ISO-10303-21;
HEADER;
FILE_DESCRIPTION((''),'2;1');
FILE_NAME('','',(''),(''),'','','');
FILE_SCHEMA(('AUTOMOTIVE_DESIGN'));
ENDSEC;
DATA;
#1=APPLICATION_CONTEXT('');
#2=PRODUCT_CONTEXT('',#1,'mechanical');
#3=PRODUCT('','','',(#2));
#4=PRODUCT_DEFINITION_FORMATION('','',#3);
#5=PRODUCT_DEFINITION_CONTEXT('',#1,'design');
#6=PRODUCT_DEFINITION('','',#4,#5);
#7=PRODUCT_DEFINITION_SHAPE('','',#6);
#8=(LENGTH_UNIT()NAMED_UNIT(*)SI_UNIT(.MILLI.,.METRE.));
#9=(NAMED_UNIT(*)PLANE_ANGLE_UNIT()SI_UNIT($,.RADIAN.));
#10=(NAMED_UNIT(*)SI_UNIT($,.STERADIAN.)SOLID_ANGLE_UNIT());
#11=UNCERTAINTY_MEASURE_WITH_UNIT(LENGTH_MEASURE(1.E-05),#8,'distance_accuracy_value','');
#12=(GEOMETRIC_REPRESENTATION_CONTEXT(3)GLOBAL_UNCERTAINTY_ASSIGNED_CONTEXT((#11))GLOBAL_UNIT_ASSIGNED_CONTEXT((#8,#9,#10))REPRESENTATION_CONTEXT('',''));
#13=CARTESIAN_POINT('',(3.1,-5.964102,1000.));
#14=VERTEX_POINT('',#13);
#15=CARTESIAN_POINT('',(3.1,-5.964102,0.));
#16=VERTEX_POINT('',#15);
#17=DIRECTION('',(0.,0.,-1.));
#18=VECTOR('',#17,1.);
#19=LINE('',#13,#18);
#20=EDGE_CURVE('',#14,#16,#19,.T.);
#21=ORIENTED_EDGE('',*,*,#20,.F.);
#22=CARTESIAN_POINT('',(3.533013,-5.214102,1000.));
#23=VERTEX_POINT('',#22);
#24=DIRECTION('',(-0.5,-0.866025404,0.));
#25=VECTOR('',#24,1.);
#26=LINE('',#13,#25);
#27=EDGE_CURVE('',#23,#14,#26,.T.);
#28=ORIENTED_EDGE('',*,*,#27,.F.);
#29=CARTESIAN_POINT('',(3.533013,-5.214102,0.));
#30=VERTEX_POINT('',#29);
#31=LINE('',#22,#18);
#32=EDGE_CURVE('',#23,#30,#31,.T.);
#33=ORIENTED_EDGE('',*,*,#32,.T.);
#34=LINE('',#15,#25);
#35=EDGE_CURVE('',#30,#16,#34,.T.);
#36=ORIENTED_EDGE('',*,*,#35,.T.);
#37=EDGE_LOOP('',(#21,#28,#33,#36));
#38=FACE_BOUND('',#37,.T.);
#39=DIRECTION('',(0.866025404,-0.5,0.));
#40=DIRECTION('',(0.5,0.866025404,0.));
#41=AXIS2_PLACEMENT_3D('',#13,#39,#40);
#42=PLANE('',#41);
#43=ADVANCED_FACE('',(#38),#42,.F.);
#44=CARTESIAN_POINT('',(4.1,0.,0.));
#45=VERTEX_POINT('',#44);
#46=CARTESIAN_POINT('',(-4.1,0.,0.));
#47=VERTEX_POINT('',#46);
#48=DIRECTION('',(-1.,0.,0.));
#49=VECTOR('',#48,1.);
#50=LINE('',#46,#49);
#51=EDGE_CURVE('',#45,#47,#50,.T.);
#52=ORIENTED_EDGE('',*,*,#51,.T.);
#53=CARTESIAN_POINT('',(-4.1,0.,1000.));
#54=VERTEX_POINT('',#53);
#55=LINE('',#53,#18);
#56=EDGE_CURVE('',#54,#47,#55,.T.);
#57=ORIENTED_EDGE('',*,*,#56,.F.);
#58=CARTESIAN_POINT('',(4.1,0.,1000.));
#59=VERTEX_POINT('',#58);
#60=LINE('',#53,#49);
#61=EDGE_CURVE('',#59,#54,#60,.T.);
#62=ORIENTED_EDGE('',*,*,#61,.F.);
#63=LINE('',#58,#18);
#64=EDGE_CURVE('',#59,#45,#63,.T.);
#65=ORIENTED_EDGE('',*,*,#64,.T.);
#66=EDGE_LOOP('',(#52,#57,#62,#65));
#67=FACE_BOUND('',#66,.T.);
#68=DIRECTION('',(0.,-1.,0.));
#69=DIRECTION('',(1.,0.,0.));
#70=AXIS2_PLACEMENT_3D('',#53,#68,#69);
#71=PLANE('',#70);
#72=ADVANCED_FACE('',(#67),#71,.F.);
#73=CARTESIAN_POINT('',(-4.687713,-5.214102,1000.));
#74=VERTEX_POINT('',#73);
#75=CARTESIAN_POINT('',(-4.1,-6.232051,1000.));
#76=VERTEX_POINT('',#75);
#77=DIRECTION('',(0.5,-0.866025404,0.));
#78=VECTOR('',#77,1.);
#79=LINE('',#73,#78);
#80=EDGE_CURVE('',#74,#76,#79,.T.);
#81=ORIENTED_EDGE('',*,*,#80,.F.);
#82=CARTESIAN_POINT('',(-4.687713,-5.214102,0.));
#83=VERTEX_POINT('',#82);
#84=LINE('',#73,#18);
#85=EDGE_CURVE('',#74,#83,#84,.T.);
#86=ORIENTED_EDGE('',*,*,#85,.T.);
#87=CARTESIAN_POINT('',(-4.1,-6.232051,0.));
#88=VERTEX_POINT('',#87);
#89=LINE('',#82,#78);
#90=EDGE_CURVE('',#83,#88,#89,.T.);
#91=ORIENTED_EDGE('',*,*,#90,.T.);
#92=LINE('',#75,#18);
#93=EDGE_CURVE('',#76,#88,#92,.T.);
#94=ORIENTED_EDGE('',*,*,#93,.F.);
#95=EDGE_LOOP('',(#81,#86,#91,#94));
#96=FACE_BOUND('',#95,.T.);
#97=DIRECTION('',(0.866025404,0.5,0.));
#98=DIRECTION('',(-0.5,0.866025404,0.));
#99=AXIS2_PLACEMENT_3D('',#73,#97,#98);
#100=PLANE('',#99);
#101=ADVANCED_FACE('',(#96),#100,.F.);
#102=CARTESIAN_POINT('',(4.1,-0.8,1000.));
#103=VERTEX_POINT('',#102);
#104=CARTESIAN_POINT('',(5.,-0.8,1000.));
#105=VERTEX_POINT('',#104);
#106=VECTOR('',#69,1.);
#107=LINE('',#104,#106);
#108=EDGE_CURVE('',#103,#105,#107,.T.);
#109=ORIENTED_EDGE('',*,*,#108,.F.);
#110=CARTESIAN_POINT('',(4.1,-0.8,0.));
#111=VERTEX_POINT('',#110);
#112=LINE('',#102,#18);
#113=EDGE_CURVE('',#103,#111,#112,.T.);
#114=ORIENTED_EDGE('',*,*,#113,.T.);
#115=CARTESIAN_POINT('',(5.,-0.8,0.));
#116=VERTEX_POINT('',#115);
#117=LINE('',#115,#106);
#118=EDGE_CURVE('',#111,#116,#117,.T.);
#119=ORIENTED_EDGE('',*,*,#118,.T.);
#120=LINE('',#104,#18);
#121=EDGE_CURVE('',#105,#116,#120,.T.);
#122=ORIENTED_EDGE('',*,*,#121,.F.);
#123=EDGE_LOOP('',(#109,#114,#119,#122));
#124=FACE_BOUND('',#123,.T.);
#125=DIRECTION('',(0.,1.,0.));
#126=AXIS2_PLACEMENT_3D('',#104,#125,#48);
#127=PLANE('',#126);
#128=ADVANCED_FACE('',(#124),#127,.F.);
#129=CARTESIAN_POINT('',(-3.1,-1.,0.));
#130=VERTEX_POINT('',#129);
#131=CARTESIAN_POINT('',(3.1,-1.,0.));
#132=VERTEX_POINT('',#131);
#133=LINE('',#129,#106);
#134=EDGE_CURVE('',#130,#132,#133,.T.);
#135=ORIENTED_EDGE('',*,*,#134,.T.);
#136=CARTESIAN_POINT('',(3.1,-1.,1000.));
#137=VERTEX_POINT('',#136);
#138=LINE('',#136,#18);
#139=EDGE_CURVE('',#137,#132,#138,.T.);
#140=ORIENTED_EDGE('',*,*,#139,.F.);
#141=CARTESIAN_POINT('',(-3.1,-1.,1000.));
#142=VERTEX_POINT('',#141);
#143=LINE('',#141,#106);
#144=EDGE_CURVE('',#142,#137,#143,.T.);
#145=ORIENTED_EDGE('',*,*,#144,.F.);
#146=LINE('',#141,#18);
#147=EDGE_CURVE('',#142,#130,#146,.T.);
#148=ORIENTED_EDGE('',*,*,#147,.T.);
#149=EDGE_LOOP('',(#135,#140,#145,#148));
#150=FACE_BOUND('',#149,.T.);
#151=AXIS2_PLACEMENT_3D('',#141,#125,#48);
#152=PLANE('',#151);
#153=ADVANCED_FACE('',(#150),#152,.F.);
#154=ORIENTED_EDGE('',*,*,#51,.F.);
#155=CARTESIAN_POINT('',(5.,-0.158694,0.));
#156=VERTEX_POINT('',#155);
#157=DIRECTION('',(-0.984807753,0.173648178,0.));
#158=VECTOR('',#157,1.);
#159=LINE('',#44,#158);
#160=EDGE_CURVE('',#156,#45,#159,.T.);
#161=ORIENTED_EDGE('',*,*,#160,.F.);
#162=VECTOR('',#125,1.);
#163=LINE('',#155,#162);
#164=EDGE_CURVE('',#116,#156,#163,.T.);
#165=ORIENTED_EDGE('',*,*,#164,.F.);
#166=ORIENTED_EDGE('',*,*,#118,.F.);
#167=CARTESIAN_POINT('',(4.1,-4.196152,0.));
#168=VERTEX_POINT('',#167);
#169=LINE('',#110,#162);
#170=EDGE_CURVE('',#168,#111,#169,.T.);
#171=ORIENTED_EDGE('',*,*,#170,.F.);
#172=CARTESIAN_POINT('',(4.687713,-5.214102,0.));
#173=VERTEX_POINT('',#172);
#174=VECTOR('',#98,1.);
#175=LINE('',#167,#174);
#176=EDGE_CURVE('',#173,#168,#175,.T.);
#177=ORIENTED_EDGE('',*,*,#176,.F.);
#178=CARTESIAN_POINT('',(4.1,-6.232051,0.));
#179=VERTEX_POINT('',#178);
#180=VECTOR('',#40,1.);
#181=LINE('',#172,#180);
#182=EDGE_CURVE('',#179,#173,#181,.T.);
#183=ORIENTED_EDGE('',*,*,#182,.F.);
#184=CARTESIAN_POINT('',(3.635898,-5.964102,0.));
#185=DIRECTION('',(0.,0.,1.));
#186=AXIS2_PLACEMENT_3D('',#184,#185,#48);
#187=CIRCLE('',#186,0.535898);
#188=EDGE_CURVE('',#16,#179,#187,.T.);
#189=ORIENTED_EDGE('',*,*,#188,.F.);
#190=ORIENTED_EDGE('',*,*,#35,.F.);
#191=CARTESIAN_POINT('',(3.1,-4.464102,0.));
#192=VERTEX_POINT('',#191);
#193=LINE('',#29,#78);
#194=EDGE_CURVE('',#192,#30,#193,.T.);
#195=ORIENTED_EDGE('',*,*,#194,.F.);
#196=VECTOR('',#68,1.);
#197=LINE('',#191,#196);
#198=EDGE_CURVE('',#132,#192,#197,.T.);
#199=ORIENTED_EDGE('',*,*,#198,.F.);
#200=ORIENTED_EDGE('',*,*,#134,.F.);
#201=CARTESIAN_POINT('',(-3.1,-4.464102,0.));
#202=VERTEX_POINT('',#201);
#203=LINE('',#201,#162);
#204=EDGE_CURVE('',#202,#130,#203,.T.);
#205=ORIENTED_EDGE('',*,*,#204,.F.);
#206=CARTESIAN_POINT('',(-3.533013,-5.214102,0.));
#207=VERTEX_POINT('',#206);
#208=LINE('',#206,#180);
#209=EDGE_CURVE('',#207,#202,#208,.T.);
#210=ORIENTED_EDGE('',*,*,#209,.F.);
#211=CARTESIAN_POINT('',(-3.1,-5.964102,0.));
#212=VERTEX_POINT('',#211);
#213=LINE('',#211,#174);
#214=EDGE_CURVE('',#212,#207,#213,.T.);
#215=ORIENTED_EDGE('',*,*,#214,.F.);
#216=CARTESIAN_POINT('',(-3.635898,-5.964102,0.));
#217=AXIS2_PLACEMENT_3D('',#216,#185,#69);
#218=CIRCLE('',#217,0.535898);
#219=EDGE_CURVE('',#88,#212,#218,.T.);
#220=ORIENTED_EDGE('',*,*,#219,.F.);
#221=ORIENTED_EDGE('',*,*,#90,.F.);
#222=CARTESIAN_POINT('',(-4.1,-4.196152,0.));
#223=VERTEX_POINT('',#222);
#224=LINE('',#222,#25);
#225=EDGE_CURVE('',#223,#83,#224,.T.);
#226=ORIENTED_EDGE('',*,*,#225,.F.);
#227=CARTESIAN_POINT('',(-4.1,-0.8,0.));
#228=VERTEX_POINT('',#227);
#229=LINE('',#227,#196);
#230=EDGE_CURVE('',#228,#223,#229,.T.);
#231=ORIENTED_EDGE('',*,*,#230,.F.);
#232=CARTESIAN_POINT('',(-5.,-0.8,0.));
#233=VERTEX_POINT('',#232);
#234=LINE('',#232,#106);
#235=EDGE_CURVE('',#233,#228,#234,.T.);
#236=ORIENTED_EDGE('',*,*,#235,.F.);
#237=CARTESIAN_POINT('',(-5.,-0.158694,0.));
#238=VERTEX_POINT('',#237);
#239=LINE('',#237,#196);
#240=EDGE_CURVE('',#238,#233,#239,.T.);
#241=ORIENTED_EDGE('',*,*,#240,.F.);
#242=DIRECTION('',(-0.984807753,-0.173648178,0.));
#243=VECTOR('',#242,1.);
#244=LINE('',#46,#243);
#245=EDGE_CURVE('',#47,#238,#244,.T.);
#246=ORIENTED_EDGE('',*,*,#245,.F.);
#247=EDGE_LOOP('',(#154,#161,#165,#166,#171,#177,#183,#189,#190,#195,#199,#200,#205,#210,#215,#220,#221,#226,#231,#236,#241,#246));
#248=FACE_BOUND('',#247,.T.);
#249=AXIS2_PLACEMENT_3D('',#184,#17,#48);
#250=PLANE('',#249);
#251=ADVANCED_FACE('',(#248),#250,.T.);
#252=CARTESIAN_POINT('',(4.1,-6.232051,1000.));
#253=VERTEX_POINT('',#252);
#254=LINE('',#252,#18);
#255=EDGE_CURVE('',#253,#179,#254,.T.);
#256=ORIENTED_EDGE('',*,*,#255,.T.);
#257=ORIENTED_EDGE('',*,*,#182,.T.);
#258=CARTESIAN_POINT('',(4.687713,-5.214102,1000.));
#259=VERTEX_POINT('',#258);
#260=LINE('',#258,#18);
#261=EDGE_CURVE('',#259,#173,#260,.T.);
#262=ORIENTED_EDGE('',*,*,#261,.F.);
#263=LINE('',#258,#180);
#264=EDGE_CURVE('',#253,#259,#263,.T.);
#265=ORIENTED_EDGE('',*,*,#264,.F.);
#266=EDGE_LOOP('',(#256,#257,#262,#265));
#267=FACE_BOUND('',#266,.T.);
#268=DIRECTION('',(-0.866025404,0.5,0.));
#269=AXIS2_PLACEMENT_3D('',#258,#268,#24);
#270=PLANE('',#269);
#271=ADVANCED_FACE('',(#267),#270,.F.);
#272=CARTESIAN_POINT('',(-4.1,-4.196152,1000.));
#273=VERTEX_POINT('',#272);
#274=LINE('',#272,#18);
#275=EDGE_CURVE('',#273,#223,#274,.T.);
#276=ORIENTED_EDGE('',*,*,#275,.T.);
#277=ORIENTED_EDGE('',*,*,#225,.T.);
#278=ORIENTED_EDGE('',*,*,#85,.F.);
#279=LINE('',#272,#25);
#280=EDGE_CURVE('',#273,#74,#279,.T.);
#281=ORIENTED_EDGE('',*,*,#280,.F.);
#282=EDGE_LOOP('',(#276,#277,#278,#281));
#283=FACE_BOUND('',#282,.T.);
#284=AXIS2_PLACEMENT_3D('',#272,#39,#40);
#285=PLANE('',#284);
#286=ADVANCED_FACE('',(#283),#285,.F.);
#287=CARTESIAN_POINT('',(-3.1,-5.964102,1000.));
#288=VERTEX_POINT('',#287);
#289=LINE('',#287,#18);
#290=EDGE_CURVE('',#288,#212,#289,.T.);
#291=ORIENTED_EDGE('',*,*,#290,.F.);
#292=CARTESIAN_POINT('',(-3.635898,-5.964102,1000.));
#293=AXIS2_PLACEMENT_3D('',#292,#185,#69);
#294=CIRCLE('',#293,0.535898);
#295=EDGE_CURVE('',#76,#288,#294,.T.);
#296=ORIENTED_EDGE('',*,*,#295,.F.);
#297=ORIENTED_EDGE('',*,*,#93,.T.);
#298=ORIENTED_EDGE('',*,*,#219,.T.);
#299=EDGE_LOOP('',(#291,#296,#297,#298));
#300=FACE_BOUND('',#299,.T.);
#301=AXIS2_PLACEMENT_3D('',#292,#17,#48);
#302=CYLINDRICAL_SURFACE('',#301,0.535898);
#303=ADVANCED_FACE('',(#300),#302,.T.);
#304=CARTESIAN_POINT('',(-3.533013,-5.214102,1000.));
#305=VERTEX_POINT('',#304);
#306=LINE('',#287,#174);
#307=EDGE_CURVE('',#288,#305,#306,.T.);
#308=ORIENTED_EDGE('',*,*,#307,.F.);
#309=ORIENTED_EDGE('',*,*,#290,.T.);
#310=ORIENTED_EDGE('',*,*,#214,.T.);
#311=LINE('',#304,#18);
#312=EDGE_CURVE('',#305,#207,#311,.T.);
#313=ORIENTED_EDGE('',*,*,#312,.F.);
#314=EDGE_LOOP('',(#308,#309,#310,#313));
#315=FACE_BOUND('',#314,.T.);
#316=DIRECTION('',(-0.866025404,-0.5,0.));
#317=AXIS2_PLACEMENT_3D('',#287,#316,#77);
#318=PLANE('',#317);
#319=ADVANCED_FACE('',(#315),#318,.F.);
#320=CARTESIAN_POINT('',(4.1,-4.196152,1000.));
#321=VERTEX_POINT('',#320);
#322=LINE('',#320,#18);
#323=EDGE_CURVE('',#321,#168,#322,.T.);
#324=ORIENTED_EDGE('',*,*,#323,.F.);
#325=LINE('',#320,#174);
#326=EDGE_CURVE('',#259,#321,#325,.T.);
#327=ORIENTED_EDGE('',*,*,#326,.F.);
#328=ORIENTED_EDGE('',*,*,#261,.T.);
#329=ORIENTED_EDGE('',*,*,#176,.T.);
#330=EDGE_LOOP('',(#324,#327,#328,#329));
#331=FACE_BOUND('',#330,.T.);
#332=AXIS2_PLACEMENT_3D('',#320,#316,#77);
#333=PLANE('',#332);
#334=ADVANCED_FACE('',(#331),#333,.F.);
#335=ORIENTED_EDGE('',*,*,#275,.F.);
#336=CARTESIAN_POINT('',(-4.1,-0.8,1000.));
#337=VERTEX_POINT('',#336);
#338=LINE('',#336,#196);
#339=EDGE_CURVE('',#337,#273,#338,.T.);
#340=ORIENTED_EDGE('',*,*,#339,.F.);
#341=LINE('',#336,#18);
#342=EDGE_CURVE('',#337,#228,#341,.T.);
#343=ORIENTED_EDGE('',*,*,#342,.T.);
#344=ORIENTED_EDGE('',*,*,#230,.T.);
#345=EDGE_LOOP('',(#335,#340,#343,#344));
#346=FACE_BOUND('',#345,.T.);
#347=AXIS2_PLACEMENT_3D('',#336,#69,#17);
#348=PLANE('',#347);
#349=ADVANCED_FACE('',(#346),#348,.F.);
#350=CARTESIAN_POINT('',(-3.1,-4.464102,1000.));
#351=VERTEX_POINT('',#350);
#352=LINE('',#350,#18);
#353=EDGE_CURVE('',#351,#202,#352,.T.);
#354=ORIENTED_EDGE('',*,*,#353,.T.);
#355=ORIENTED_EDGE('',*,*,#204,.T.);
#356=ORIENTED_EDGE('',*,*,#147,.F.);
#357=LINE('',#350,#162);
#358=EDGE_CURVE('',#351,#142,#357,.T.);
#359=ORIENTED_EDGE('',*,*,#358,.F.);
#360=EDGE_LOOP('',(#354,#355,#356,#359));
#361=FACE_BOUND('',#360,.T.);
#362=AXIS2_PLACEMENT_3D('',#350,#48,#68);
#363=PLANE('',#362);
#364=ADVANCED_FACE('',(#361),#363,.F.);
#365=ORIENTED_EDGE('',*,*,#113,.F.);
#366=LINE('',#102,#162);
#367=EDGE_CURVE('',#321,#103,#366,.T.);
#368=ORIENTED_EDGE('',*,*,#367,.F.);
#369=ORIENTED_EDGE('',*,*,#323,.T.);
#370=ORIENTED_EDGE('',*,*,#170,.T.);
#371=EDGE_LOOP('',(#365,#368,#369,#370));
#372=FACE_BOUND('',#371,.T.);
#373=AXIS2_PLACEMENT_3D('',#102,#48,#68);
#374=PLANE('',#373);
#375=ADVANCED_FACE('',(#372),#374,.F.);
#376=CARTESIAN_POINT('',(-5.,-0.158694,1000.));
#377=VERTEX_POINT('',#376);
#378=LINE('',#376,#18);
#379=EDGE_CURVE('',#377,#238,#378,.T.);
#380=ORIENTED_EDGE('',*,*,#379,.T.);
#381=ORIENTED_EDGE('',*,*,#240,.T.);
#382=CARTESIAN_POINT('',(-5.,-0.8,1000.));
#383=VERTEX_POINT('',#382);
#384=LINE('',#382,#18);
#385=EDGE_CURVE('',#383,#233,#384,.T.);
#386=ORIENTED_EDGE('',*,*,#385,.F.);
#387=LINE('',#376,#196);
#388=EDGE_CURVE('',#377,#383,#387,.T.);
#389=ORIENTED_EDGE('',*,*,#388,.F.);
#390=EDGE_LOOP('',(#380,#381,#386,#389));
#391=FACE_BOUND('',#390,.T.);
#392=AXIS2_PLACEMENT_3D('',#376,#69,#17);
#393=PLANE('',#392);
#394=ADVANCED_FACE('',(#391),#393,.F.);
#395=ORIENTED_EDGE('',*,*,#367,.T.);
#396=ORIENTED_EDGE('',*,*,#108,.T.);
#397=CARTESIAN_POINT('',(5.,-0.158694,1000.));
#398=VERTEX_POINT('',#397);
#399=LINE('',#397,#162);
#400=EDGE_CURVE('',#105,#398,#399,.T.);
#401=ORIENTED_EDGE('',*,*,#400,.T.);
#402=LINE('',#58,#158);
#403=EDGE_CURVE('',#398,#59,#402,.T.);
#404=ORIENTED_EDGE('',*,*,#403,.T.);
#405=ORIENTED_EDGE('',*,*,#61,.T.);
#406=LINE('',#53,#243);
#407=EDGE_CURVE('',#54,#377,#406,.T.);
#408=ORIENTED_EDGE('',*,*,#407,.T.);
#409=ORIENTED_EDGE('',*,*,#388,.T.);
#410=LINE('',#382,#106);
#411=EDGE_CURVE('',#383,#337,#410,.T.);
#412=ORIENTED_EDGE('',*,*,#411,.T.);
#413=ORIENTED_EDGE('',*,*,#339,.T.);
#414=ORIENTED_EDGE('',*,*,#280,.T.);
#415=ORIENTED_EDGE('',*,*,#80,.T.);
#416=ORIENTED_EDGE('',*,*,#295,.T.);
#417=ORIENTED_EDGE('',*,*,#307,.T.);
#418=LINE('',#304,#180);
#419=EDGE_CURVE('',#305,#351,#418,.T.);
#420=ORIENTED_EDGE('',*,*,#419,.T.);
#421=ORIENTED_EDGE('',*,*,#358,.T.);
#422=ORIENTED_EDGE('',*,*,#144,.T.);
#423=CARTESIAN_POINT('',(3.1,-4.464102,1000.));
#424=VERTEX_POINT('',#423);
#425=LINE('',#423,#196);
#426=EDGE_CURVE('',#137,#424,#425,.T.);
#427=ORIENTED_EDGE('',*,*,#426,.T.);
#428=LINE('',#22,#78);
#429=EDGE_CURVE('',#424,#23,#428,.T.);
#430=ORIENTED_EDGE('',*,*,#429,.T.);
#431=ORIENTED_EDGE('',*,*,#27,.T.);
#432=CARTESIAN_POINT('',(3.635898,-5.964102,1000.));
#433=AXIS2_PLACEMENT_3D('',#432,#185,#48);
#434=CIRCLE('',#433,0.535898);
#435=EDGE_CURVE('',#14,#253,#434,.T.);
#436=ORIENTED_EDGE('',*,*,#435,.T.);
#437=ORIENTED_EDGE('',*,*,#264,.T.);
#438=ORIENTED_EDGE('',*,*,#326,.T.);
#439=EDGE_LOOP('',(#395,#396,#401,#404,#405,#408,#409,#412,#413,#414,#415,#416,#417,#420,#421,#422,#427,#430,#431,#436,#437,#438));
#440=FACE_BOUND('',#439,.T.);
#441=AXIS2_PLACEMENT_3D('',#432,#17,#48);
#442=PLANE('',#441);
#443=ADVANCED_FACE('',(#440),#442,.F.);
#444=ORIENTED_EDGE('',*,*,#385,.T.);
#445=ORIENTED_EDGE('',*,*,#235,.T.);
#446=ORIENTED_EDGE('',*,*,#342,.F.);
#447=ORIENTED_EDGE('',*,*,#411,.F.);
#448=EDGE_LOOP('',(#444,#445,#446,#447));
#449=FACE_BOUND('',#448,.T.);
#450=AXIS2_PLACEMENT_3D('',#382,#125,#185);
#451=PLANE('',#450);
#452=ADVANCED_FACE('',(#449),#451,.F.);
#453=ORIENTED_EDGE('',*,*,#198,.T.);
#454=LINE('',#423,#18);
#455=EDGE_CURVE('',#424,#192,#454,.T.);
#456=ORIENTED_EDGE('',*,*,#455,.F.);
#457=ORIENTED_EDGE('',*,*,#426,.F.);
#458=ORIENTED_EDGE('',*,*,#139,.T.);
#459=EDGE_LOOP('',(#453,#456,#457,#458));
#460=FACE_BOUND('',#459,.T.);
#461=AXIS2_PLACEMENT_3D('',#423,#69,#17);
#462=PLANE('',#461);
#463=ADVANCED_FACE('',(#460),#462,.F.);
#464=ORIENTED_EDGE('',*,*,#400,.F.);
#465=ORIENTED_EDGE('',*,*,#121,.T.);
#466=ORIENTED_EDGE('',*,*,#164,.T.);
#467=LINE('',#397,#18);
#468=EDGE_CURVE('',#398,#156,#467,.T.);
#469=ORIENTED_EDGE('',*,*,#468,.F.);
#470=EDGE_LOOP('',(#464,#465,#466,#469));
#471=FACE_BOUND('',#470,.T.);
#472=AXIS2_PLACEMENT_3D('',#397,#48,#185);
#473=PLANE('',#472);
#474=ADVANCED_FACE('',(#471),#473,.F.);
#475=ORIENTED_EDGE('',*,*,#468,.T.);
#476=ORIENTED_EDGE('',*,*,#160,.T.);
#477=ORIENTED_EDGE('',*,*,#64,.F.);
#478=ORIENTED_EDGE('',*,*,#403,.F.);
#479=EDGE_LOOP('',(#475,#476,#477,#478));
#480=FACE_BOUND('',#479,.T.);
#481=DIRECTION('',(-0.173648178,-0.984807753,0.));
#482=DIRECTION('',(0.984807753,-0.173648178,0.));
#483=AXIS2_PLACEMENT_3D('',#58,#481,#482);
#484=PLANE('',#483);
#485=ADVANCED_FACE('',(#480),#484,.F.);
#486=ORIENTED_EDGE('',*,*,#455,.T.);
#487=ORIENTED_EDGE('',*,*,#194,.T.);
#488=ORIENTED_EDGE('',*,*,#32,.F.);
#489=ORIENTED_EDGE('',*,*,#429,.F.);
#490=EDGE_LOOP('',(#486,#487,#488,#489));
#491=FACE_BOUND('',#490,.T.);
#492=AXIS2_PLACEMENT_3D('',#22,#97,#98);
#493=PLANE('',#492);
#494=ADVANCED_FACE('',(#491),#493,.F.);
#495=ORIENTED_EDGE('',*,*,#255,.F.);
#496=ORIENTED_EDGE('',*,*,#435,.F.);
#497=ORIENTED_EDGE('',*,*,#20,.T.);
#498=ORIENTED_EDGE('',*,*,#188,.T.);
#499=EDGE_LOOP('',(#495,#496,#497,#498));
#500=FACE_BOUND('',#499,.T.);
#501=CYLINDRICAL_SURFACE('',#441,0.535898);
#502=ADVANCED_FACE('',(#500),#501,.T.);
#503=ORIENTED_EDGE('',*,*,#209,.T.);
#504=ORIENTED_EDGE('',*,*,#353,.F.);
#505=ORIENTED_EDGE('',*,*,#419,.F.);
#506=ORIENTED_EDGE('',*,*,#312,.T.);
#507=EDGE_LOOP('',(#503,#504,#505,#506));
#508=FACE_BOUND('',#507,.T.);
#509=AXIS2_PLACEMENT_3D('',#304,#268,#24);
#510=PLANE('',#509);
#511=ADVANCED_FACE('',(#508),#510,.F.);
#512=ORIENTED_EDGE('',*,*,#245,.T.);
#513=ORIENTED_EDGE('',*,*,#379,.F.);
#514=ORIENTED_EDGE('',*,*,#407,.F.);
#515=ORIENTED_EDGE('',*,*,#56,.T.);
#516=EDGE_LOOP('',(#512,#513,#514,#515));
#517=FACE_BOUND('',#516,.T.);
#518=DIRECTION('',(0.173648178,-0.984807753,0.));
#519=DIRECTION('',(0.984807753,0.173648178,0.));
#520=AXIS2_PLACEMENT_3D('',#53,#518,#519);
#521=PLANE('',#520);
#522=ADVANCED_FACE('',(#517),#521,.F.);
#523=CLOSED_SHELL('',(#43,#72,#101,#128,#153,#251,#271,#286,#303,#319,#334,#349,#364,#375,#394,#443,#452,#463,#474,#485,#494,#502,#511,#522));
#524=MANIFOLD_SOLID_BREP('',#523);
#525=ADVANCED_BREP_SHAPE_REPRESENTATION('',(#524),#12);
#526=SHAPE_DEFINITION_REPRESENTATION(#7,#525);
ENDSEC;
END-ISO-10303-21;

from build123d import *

# Parameters (mm, degrees)
EXTRUDE_1_DEPTH = 1000


with BuildPart() as part:
    # Эскиз1 → Бобышка-Вытянуть1 (new body)
    with BuildSketch(Plane.XY):
        with BuildLine():
            Line((-4.1, 0), (-5, -0.158694283))
            Line((-5, -0.158694283), (-5, -0.8))
            Line((-5, -0.8), (-4.1, -0.8))
            Line((-4.1, -0.8), (-4.1, -4.196152423))
            Line((-4.1, -4.196152423), (-4.68771324, -5.214101615))
            Line((-4.68771324, -5.214101615), (-4.1, -6.232050808))
            ThreePointArc((-4.1, -6.232050808), (-3.497197677, -6.481739705), (-3.1, -5.964101615))
            Line((-3.1, -5.964101615), (-3.533012702, -5.214101615))
            Line((-3.533012702, -5.214101615), (-3.1, -4.464101615))
            Line((-3.1, -4.464101615), (-3.1, -1))
            Line((-3.1, -1), (3.1, -1))
            Line((3.1, -1), (3.1, -4.464101615))
            Line((3.1, -4.464101615), (3.533012702, -5.214101615))
            Line((3.533012702, -5.214101615), (3.1, -5.964101615))
            ThreePointArc((3.1, -5.964101615), (3.497197677, -6.481739705), (4.1, -6.232050808))
            Line((4.1, -6.232050808), (4.68771324, -5.214101615))
            Line((4.68771324, -5.214101615), (4.1, -4.196152423))
            Line((4.1, -4.196152423), (4.1, -0.8))
            Line((4.1, -0.8), (5, -0.8))
            Line((5, -0.8), (5, -0.158694283))
            Line((5, -0.158694283), (4.1, 0))
            Line((4.1, 0), (-4.1, 0))
        make_face()
    extrude(amount=EXTRUDE_1_DEPTH)


solid = part.part
